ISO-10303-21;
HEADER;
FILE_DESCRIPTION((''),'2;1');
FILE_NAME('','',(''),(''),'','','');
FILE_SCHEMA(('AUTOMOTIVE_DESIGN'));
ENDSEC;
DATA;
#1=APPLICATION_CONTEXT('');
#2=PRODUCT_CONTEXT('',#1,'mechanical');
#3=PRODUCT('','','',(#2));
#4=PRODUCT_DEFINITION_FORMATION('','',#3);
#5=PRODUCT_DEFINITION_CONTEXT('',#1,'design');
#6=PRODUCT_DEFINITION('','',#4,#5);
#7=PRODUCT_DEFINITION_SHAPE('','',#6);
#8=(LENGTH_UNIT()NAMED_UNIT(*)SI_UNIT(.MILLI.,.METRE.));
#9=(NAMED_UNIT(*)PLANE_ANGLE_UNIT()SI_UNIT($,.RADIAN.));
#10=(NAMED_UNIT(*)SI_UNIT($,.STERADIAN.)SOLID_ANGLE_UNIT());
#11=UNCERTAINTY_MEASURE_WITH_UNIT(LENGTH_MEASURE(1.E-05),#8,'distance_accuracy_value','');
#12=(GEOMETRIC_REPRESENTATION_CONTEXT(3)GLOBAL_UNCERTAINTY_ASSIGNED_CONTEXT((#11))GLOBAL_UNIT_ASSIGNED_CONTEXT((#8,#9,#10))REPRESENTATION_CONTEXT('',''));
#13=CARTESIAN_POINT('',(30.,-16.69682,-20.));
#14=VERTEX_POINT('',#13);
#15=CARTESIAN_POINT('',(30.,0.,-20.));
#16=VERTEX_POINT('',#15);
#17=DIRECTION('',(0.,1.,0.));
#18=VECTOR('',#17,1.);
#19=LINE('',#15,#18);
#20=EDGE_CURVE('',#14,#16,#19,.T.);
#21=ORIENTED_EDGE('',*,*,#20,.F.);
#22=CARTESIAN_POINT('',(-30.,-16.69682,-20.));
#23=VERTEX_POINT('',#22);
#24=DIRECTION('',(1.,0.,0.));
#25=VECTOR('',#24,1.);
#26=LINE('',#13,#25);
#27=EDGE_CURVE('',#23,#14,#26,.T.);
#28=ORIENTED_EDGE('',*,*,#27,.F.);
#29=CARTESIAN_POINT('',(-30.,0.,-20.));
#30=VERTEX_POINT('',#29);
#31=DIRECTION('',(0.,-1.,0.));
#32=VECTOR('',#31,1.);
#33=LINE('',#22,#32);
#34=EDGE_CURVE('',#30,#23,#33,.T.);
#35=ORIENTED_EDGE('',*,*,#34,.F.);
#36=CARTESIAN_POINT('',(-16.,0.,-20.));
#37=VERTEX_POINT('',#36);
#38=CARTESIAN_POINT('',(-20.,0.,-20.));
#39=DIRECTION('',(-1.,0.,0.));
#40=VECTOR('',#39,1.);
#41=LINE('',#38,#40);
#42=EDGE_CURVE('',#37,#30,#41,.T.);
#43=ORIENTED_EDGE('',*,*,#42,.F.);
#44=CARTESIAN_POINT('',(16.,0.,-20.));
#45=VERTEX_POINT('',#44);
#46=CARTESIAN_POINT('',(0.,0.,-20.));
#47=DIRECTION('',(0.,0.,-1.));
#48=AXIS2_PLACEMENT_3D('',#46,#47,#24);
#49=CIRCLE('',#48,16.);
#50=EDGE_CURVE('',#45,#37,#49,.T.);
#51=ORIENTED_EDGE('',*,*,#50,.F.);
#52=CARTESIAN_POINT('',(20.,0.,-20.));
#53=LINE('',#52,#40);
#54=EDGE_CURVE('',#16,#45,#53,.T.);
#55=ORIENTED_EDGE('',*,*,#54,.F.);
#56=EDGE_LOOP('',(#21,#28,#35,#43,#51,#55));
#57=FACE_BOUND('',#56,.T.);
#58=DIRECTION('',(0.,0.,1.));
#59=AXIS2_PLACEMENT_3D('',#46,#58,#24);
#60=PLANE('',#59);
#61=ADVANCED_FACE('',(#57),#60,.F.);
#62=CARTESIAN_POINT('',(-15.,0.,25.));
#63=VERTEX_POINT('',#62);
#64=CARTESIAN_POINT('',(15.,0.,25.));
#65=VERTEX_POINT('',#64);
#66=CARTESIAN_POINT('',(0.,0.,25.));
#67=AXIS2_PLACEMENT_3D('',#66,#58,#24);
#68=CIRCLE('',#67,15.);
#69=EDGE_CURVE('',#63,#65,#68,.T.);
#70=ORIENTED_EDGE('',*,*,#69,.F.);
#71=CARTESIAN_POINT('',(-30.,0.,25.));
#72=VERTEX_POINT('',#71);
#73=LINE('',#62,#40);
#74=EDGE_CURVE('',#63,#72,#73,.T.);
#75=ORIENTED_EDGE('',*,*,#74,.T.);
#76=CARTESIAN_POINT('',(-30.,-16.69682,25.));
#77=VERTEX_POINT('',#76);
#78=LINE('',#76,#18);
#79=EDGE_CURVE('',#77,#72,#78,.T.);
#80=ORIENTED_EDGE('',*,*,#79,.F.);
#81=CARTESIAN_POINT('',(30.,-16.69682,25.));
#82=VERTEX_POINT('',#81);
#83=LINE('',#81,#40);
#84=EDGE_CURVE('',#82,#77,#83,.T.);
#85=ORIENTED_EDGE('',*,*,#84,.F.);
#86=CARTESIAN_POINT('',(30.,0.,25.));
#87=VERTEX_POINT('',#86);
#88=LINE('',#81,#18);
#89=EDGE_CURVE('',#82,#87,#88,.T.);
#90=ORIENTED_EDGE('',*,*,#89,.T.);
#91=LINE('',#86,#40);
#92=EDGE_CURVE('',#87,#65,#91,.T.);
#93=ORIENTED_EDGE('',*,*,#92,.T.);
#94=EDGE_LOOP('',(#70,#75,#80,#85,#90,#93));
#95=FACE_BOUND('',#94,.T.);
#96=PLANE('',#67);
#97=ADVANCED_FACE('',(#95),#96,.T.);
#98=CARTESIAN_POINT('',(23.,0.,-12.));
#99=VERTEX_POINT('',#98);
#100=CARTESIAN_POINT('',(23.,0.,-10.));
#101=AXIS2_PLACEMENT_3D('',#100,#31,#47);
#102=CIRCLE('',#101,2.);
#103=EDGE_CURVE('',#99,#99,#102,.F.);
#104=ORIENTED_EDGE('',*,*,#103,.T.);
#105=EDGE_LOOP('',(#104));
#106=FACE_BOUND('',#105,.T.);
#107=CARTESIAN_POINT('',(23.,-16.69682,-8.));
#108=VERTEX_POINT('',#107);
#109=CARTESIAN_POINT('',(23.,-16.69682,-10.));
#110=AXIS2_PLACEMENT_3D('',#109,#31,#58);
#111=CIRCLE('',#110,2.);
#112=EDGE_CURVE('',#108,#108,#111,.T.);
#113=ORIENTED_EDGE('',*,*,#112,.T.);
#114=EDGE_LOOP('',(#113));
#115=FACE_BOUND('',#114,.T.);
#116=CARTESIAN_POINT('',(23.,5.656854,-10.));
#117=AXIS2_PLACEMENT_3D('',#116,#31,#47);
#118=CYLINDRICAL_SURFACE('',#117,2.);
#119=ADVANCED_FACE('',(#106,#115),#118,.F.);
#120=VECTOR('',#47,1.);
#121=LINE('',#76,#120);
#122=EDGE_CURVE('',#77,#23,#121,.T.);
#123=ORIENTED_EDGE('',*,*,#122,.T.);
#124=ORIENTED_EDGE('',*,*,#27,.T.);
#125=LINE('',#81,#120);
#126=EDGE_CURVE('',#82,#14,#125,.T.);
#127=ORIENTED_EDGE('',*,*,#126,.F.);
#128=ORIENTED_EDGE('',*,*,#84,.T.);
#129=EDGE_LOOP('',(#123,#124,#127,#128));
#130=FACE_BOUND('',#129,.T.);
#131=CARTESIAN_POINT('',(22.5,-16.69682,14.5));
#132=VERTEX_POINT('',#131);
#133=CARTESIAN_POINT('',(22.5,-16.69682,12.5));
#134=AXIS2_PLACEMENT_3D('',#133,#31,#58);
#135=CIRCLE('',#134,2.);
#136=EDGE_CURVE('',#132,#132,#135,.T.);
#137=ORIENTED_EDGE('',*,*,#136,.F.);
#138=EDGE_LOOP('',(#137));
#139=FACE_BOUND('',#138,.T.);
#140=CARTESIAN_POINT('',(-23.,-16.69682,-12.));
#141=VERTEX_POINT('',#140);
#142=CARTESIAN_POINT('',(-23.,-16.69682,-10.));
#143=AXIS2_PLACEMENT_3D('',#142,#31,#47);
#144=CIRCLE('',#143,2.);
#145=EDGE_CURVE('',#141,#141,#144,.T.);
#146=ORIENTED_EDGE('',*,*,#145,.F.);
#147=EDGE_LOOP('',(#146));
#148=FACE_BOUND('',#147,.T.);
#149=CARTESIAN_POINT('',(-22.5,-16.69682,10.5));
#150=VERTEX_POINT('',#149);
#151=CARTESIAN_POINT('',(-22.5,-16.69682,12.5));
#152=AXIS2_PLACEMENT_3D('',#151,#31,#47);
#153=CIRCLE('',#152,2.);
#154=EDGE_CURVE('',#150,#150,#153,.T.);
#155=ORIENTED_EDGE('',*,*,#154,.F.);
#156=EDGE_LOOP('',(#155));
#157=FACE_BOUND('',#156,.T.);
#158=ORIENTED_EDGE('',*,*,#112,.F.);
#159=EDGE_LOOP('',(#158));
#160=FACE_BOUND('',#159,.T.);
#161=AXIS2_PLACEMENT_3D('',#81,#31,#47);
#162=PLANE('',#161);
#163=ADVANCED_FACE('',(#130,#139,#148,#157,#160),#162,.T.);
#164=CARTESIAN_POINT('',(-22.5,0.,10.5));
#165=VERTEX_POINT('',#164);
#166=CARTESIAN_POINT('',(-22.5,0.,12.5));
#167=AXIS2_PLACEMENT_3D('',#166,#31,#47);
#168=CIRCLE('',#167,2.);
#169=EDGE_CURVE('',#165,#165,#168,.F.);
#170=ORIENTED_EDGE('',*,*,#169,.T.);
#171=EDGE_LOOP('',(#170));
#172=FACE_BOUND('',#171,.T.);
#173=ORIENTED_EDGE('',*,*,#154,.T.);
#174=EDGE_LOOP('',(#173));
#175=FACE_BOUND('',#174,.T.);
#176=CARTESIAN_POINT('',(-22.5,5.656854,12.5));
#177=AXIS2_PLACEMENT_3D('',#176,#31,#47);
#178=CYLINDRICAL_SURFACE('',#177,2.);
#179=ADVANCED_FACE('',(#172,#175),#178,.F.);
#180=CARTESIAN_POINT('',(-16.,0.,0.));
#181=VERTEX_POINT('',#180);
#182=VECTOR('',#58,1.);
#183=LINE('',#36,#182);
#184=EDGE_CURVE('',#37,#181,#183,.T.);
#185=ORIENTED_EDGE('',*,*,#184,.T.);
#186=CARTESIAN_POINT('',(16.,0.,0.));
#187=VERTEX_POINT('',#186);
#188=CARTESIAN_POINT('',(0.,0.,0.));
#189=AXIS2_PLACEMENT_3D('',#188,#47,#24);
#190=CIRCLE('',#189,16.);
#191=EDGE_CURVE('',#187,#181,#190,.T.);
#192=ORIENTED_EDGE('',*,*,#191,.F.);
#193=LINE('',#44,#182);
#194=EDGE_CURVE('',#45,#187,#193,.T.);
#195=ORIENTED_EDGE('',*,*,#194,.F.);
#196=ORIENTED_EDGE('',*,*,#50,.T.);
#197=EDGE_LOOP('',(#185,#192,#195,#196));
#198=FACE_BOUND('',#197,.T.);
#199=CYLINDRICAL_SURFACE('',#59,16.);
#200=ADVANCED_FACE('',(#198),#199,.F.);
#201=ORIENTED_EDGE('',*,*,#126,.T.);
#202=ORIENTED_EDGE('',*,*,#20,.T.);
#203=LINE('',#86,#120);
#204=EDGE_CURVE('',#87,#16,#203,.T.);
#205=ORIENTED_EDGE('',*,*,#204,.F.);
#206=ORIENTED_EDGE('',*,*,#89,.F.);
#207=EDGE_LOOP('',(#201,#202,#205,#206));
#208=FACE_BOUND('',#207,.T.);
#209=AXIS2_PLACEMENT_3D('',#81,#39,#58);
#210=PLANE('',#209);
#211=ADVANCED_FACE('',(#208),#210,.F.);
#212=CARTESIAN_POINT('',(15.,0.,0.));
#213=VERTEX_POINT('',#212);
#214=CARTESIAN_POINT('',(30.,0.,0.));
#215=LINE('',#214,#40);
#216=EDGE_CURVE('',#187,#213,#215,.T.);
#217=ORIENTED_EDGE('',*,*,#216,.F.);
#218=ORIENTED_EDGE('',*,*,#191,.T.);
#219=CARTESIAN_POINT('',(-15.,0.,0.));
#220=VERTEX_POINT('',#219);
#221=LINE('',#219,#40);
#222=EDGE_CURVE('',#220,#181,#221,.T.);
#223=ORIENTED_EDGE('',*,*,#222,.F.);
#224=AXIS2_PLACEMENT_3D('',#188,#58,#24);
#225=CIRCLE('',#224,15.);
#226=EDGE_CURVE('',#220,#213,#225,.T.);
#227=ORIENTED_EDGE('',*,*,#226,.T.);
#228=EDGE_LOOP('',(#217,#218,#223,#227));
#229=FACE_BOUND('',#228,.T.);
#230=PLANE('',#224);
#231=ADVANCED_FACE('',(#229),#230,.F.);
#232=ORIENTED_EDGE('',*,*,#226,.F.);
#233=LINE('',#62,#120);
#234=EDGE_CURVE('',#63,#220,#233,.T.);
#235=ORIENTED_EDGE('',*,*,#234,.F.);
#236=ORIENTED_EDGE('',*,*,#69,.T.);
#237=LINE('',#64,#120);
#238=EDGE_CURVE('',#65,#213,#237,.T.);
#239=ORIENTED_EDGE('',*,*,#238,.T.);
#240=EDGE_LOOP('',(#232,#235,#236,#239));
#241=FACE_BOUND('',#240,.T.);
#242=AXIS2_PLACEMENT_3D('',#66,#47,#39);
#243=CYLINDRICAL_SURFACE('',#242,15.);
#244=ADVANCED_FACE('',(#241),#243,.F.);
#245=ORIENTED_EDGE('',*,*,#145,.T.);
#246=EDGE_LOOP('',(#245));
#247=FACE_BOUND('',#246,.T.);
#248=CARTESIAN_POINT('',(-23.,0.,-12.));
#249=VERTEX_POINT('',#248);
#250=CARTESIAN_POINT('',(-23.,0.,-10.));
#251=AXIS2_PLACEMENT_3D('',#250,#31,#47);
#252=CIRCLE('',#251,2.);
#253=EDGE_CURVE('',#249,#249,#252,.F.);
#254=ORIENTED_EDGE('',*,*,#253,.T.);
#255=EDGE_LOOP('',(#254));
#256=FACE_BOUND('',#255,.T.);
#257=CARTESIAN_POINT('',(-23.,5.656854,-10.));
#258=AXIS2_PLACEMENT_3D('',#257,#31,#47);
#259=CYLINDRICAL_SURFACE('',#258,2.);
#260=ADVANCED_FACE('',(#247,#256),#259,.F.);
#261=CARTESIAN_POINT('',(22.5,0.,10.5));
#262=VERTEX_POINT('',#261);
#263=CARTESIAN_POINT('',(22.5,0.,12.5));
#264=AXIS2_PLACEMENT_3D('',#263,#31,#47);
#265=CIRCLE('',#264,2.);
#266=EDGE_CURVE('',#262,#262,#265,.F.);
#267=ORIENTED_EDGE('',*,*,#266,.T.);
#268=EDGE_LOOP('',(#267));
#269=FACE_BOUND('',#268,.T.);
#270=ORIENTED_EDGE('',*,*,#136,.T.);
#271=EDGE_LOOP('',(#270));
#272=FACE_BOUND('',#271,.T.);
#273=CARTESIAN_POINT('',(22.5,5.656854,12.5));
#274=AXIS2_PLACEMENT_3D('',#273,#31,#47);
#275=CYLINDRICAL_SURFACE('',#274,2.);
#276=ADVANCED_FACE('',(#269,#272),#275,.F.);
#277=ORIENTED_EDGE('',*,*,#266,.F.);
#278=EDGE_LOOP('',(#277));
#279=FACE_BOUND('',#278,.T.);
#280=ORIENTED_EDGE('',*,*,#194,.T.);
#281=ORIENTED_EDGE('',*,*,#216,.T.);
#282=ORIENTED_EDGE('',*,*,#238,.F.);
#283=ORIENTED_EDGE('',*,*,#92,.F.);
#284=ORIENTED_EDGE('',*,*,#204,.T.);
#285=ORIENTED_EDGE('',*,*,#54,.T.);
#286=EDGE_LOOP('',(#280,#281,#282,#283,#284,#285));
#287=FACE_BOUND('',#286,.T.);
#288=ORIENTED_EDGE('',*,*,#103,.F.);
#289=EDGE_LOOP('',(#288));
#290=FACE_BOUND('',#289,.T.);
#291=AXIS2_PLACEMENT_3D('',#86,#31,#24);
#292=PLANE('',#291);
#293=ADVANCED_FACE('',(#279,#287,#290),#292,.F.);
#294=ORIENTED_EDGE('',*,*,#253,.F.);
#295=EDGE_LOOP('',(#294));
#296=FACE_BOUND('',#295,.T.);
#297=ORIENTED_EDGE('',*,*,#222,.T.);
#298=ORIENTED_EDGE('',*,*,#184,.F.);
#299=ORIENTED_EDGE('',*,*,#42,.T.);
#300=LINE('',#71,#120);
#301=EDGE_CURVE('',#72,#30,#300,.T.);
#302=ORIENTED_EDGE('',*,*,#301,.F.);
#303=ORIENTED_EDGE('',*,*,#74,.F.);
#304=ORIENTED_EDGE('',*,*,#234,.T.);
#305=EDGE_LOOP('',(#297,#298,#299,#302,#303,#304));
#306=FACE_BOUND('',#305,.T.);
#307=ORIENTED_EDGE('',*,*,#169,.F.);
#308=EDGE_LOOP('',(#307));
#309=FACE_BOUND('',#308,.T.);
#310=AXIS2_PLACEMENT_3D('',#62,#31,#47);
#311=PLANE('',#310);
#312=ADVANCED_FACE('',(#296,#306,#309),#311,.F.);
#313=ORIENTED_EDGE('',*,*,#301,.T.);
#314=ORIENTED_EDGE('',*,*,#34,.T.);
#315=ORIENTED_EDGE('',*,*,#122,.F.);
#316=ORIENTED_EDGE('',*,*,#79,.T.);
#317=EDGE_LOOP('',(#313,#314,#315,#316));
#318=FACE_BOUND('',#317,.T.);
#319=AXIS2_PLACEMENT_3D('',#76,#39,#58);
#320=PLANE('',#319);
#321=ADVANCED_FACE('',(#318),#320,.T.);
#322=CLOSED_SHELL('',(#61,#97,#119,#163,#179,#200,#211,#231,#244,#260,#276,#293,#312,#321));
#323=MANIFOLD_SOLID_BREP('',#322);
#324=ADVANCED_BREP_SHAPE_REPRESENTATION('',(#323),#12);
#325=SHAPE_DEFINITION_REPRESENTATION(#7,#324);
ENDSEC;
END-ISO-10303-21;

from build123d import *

# Parameters (mm, degrees)
BASE_30_MM_DEPTH = 25
BASE_32_MM_DEPTH = 20
ESQUISSE5_R      = 2
VIDE_VIS_DEPTH   = 16.696819514


with BuildPart() as part:
    # Esquisse1 → BASE - 30 mm (new body)
    with BuildSketch(Plane.XY):
        with BuildLine():
            Line((30, 0), (15, 0))
            ThreePointArc((15, 0), (0, -15), (-15, 0))
            Line((-15, 0), (-30, 0))
            Line((-30, 0), (-30, -16.696819514))
            Line((-30, -16.696819514), (30, -16.696819514))
            Line((30, -16.696819514), (30, 0))
        make_face()
    extrude(amount=BASE_30_MM_DEPTH)

    # Esquisse4 → BASE - 32 mm (add)
    with BuildSketch(Plane.XY):
        with BuildLine():
            Line((20, 0), (30, 0))
            Line((30, 0), (30, -16.696819514))
            Line((30, -16.696819514), (-30, -16.696819514))
            Line((-30, -16.696819514), (-30, 0))
            Line((-30, 0), (-20, 0))
            Line((-20, 0), (-16, 0))
            ThreePointArc((-16, 0), (0, -16), (16, 0))
            Line((16, 0), (20, 0))
        make_face()
    extrude(amount=-BASE_32_MM_DEPTH)

    # Esquisse5 → VIDE VIS (cut)
    with BuildSketch(Plane.XZ.offset(16.696819514)):
        with Locations(Location((-23, -10, 0), (0, 0, 270))):
            Circle(ESQUISSE5_R)
        with Locations(Location((-22.5, 12.5, 0), (0, 0, 270))):
            Circle(ESQUISSE5_R)
        with Locations(Location((22.5, 12.5, 0), (0, 0, 270))):
            Circle(ESQUISSE5_R)
        with Locations(Location((23, -10, 0), (0, 0, 270))):
            Circle(ESQUISSE5_R)
    extrude(amount=-VIDE_VIS_DEPTH, mode=Mode.SUBTRACT)


solid = part.part
